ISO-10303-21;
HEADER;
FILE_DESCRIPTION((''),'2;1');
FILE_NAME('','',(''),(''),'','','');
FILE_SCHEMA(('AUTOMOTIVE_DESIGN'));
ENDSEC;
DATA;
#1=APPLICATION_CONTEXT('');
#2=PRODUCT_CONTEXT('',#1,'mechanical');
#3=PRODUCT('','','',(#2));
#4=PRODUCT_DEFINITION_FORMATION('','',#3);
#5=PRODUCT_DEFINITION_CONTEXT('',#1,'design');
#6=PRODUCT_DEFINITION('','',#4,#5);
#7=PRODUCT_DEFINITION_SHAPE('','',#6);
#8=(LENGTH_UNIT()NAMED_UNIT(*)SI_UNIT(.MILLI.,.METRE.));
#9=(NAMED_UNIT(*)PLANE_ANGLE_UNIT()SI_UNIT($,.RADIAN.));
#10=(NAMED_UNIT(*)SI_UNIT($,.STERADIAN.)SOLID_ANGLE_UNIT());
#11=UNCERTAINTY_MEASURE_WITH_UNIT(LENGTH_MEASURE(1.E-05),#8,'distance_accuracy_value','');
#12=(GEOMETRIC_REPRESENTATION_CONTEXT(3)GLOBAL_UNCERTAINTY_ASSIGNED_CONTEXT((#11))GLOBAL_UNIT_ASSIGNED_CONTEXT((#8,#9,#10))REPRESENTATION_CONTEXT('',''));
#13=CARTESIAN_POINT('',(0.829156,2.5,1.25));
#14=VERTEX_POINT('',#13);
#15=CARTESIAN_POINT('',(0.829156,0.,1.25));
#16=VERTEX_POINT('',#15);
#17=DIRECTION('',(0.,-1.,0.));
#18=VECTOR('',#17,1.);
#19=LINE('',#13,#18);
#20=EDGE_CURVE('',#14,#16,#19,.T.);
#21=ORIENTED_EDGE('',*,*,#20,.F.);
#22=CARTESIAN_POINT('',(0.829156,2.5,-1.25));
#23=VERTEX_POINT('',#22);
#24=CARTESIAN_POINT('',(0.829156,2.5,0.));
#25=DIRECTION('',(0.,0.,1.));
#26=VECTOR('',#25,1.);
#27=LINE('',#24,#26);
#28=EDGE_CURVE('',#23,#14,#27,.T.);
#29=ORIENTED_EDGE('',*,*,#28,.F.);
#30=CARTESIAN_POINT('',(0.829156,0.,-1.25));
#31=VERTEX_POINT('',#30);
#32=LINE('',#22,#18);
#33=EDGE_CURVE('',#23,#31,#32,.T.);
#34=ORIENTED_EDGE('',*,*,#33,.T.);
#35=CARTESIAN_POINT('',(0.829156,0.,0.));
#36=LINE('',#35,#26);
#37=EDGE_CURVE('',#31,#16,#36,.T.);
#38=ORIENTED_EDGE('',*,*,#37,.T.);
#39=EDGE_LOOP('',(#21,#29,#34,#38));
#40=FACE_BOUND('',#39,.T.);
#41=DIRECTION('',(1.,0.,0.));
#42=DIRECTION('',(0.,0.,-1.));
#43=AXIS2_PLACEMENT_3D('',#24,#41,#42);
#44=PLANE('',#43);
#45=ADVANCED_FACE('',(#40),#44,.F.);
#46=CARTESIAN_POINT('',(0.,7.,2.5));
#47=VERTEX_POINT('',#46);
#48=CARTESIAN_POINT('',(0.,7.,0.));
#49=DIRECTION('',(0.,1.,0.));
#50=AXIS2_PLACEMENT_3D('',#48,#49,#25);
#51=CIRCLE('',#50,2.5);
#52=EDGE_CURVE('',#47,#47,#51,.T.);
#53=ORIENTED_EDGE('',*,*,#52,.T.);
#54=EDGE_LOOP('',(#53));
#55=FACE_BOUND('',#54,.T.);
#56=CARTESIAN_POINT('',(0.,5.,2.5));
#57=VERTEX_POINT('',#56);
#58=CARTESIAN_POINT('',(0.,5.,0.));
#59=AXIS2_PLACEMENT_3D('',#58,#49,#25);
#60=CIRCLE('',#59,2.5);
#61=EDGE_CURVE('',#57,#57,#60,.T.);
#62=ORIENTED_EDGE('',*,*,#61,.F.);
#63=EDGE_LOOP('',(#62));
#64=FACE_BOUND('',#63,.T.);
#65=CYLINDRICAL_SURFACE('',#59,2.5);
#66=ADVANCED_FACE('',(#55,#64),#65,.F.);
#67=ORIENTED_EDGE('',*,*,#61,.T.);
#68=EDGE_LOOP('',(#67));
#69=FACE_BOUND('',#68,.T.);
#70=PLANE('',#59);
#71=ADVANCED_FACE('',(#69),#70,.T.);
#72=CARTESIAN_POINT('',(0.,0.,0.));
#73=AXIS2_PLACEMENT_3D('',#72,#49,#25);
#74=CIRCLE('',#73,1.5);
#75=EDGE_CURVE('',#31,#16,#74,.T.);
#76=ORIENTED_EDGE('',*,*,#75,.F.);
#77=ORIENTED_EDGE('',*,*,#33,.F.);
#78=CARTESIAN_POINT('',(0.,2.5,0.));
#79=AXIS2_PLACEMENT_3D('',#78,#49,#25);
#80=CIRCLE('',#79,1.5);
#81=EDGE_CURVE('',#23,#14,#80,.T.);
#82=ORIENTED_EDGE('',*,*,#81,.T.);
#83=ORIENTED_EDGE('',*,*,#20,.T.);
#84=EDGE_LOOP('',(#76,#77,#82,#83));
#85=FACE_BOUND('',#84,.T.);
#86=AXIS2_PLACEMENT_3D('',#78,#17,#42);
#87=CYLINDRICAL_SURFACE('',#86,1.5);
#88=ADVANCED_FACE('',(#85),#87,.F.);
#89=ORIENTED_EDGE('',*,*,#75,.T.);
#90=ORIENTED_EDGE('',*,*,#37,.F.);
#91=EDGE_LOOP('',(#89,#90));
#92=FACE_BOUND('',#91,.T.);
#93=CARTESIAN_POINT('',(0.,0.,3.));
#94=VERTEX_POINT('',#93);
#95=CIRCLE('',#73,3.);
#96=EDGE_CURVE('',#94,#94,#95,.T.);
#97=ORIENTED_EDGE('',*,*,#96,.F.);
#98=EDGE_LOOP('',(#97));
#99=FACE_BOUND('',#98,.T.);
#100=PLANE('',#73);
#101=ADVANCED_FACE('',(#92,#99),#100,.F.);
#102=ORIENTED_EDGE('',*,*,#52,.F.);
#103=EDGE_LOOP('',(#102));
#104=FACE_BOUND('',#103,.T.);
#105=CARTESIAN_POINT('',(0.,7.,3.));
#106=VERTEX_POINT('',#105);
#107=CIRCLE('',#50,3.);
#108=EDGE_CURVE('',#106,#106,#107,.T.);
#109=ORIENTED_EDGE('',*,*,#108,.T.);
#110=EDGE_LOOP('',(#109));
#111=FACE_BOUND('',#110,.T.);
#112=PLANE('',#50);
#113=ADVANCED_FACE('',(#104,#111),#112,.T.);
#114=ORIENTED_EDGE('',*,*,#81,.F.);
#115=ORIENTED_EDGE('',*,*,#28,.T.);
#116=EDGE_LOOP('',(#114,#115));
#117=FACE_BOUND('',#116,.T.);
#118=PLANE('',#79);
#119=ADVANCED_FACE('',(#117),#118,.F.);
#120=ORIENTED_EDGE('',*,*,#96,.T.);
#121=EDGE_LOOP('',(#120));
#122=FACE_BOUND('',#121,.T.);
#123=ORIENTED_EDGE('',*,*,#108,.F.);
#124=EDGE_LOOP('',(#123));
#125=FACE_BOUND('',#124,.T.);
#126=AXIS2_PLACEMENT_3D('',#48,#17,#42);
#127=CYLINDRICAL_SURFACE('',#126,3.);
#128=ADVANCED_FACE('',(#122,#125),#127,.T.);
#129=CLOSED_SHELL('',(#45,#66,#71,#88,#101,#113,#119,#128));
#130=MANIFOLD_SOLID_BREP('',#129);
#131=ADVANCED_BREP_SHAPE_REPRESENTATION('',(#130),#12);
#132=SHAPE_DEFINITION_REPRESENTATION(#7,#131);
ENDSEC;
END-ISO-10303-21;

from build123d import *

# Parameters (mm, degrees)
SKETCH_1_R          = 3
EXTRUDE_1_DEPTH     = 7
CUT_EXTRUDE_1_DEPTH = 2.5
SKETCH_5_R          = 2.5
CUT_EXTRUDE_2_DEPTH = 2


with BuildPart() as part:
    # 草图1 → 凸台-拉伸1 (new body)
    with BuildSketch(Plane(origin=(0, 0, 0), x_dir=(1, 0, 0), z_dir=(0, 1, 0))):
        Circle(SKETCH_1_R)
    extrude(amount=EXTRUDE_1_DEPTH)

    # 草图4 → 切除-拉伸1 (cut)
    with BuildSketch(Plane(origin=(0, 0, 0), x_dir=(1, 0, 0), z_dir=(0, 1, 0))):
        with BuildLine():
            Line((0.829156198, -1.25), (0.829156198, 1.25))
            ThreePointArc((0.829156198, 1.25), (-1.5, 0), (0.829156198, -1.25))
        make_face()
    extrude(amount=CUT_EXTRUDE_1_DEPTH, mode=Mode.SUBTRACT)

    # 草图5 → 切除-拉伸2 (cut)
    with BuildSketch(Plane(origin=(0, 7, 0), x_dir=(1, 0, 0), z_dir=(0, 1, 0))):
        Circle(SKETCH_5_R)
    extrude(amount=-CUT_EXTRUDE_2_DEPTH, mode=Mode.SUBTRACT)


solid = part.part
